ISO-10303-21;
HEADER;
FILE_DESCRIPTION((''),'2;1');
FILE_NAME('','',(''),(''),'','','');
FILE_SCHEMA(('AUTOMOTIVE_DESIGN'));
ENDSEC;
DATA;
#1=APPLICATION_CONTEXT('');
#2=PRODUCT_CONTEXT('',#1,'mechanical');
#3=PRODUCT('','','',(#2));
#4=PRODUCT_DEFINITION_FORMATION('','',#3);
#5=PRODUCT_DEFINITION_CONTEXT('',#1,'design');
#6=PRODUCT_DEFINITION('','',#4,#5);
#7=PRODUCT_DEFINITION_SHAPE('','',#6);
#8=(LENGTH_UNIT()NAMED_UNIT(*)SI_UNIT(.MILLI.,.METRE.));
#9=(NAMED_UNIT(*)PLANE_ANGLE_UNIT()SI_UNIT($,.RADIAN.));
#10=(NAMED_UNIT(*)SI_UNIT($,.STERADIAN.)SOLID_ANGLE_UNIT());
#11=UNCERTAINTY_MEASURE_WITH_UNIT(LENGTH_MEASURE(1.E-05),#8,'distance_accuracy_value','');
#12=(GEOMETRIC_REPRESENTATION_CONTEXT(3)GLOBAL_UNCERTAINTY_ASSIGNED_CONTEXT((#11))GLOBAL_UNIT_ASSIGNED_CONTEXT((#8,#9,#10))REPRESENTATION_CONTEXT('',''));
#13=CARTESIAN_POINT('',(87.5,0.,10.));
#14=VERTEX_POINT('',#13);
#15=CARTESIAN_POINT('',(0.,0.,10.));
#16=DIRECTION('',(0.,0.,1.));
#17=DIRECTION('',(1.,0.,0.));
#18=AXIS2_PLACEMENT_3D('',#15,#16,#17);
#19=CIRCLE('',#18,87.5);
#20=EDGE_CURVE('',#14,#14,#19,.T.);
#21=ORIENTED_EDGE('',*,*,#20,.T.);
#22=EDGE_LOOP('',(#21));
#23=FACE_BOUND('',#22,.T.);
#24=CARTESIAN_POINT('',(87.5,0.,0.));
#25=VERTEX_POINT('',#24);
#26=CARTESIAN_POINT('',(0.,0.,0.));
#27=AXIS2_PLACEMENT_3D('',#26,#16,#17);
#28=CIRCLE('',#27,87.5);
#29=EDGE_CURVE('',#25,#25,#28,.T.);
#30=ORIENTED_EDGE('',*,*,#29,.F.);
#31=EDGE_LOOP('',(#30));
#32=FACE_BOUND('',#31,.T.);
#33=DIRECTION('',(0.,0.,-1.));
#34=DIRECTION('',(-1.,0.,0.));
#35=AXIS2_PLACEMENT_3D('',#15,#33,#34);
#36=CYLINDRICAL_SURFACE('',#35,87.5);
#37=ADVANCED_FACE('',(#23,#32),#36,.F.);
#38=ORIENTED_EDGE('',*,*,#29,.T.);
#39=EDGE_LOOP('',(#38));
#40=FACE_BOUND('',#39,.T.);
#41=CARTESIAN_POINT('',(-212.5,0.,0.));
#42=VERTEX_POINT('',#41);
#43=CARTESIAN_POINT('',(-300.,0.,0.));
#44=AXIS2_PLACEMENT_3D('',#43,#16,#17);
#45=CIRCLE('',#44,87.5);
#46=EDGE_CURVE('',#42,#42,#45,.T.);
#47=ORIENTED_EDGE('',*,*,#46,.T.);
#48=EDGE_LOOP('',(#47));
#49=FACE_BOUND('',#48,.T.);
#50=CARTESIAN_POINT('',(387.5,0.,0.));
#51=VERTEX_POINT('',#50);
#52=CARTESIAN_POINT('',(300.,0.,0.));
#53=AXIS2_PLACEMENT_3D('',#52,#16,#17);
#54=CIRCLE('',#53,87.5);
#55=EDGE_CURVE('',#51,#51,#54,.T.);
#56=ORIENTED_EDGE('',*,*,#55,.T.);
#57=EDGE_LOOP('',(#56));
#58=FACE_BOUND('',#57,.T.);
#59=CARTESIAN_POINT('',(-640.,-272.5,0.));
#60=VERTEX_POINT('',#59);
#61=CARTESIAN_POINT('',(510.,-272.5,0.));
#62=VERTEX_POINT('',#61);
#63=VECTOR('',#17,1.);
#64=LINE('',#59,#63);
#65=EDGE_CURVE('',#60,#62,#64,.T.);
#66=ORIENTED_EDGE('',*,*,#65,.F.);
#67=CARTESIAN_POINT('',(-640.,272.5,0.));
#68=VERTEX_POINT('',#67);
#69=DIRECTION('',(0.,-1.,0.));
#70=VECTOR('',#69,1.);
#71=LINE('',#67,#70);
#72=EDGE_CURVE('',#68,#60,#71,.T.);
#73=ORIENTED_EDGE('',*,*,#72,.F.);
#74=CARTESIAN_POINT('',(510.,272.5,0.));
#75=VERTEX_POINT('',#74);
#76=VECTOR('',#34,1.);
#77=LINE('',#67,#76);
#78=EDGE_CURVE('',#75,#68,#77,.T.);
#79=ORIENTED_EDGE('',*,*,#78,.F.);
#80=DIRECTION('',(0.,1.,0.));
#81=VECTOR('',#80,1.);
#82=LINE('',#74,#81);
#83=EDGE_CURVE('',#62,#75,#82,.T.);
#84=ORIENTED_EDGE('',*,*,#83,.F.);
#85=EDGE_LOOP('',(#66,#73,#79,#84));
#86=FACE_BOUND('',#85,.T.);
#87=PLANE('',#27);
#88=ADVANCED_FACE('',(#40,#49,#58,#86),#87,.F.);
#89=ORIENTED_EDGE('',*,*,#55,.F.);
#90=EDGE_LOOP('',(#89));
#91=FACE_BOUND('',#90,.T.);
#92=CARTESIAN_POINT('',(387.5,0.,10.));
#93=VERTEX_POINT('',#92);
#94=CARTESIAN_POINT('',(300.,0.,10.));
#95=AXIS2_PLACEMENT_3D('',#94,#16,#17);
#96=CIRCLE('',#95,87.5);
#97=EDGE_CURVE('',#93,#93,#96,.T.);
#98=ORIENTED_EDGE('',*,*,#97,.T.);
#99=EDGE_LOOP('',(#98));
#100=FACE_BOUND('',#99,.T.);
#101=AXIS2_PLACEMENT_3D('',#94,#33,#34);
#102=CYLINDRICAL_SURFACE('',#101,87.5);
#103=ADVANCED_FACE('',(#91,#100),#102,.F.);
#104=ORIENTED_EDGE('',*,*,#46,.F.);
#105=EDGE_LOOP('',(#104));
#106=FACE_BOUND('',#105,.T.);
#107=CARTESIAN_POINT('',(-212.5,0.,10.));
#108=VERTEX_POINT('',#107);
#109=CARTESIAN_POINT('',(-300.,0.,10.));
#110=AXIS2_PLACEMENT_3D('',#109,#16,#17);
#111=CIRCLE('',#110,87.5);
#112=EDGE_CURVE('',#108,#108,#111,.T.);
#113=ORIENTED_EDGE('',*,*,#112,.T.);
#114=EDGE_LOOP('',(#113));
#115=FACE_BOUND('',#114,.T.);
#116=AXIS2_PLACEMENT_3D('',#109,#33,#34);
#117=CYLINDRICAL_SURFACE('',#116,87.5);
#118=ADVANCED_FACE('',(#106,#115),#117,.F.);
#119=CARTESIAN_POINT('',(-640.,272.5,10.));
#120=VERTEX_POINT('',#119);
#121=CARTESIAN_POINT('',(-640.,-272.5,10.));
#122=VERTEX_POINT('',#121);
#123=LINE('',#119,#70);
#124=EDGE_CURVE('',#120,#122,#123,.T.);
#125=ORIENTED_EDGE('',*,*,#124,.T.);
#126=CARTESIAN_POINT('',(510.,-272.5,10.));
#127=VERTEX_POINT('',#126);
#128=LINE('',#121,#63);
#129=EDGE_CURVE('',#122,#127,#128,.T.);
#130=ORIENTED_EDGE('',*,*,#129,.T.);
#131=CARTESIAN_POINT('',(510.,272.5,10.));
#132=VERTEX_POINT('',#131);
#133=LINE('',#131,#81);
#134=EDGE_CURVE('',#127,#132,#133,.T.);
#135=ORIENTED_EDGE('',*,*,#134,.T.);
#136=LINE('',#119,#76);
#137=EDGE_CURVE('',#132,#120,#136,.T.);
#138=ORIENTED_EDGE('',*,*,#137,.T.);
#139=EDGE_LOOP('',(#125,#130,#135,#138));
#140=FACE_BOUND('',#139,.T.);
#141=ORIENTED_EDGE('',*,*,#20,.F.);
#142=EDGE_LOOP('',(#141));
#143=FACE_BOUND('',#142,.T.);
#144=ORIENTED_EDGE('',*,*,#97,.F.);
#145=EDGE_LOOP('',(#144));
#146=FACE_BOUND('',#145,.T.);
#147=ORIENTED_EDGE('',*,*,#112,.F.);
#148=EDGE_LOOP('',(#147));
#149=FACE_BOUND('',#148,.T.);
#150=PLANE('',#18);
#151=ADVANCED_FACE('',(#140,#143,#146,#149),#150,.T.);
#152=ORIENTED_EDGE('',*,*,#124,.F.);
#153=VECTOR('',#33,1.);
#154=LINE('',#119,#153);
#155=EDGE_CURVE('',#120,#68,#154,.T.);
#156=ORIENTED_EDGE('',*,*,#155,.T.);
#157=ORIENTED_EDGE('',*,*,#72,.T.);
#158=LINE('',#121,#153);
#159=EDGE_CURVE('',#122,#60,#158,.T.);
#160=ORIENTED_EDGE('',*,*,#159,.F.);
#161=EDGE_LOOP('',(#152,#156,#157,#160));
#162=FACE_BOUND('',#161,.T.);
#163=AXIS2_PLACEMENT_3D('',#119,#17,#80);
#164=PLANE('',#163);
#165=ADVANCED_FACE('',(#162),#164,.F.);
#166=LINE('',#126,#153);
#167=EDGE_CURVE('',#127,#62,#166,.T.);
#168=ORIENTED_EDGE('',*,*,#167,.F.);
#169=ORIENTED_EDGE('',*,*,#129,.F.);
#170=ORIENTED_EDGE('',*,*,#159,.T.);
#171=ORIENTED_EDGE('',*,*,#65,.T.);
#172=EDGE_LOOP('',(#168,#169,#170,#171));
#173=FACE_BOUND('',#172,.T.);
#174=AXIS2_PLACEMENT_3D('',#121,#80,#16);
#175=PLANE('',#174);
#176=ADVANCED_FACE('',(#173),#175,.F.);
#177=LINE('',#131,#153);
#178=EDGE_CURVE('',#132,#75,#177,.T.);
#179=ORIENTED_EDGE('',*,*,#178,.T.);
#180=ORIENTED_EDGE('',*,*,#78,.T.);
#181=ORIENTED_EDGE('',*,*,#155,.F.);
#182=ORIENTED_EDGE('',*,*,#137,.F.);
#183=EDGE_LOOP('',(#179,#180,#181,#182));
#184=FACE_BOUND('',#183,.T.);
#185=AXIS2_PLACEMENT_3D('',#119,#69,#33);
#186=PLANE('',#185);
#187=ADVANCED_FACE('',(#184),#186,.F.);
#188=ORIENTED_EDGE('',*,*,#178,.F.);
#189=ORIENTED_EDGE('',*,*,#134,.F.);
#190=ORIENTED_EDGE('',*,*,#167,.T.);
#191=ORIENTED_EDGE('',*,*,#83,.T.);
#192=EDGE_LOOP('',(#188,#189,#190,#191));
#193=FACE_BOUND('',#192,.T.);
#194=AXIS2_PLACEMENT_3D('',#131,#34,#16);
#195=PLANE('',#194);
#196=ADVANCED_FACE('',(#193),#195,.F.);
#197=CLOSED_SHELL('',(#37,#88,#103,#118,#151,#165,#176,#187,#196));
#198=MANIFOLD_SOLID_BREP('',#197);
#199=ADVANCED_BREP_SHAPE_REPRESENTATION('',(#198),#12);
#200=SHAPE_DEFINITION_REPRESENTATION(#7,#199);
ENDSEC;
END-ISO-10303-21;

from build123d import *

# Parameters (mm, degrees)
SKETCH1_W           = 1150
SKETCH1_H           = 545
SKETCH1_R           = 87.5
BOSS_EXTRUDE1_DEPTH = 10


with BuildPart() as part:
    # Sketch1 → Boss-Extrude1 (new body)
    with BuildSketch(Plane.XY):
        with Locations((-65, 0)):
            Rectangle(SKETCH1_W, SKETCH1_H)
        with Locations((-300, 0)):
            Circle(SKETCH1_R, mode=Mode.SUBTRACT)
        Circle(SKETCH1_R, mode=Mode.SUBTRACT)
        with Locations((300, 0)):
            Circle(SKETCH1_R, mode=Mode.SUBTRACT)
    extrude(amount=BOSS_EXTRUDE1_DEPTH)


solid = part.part
